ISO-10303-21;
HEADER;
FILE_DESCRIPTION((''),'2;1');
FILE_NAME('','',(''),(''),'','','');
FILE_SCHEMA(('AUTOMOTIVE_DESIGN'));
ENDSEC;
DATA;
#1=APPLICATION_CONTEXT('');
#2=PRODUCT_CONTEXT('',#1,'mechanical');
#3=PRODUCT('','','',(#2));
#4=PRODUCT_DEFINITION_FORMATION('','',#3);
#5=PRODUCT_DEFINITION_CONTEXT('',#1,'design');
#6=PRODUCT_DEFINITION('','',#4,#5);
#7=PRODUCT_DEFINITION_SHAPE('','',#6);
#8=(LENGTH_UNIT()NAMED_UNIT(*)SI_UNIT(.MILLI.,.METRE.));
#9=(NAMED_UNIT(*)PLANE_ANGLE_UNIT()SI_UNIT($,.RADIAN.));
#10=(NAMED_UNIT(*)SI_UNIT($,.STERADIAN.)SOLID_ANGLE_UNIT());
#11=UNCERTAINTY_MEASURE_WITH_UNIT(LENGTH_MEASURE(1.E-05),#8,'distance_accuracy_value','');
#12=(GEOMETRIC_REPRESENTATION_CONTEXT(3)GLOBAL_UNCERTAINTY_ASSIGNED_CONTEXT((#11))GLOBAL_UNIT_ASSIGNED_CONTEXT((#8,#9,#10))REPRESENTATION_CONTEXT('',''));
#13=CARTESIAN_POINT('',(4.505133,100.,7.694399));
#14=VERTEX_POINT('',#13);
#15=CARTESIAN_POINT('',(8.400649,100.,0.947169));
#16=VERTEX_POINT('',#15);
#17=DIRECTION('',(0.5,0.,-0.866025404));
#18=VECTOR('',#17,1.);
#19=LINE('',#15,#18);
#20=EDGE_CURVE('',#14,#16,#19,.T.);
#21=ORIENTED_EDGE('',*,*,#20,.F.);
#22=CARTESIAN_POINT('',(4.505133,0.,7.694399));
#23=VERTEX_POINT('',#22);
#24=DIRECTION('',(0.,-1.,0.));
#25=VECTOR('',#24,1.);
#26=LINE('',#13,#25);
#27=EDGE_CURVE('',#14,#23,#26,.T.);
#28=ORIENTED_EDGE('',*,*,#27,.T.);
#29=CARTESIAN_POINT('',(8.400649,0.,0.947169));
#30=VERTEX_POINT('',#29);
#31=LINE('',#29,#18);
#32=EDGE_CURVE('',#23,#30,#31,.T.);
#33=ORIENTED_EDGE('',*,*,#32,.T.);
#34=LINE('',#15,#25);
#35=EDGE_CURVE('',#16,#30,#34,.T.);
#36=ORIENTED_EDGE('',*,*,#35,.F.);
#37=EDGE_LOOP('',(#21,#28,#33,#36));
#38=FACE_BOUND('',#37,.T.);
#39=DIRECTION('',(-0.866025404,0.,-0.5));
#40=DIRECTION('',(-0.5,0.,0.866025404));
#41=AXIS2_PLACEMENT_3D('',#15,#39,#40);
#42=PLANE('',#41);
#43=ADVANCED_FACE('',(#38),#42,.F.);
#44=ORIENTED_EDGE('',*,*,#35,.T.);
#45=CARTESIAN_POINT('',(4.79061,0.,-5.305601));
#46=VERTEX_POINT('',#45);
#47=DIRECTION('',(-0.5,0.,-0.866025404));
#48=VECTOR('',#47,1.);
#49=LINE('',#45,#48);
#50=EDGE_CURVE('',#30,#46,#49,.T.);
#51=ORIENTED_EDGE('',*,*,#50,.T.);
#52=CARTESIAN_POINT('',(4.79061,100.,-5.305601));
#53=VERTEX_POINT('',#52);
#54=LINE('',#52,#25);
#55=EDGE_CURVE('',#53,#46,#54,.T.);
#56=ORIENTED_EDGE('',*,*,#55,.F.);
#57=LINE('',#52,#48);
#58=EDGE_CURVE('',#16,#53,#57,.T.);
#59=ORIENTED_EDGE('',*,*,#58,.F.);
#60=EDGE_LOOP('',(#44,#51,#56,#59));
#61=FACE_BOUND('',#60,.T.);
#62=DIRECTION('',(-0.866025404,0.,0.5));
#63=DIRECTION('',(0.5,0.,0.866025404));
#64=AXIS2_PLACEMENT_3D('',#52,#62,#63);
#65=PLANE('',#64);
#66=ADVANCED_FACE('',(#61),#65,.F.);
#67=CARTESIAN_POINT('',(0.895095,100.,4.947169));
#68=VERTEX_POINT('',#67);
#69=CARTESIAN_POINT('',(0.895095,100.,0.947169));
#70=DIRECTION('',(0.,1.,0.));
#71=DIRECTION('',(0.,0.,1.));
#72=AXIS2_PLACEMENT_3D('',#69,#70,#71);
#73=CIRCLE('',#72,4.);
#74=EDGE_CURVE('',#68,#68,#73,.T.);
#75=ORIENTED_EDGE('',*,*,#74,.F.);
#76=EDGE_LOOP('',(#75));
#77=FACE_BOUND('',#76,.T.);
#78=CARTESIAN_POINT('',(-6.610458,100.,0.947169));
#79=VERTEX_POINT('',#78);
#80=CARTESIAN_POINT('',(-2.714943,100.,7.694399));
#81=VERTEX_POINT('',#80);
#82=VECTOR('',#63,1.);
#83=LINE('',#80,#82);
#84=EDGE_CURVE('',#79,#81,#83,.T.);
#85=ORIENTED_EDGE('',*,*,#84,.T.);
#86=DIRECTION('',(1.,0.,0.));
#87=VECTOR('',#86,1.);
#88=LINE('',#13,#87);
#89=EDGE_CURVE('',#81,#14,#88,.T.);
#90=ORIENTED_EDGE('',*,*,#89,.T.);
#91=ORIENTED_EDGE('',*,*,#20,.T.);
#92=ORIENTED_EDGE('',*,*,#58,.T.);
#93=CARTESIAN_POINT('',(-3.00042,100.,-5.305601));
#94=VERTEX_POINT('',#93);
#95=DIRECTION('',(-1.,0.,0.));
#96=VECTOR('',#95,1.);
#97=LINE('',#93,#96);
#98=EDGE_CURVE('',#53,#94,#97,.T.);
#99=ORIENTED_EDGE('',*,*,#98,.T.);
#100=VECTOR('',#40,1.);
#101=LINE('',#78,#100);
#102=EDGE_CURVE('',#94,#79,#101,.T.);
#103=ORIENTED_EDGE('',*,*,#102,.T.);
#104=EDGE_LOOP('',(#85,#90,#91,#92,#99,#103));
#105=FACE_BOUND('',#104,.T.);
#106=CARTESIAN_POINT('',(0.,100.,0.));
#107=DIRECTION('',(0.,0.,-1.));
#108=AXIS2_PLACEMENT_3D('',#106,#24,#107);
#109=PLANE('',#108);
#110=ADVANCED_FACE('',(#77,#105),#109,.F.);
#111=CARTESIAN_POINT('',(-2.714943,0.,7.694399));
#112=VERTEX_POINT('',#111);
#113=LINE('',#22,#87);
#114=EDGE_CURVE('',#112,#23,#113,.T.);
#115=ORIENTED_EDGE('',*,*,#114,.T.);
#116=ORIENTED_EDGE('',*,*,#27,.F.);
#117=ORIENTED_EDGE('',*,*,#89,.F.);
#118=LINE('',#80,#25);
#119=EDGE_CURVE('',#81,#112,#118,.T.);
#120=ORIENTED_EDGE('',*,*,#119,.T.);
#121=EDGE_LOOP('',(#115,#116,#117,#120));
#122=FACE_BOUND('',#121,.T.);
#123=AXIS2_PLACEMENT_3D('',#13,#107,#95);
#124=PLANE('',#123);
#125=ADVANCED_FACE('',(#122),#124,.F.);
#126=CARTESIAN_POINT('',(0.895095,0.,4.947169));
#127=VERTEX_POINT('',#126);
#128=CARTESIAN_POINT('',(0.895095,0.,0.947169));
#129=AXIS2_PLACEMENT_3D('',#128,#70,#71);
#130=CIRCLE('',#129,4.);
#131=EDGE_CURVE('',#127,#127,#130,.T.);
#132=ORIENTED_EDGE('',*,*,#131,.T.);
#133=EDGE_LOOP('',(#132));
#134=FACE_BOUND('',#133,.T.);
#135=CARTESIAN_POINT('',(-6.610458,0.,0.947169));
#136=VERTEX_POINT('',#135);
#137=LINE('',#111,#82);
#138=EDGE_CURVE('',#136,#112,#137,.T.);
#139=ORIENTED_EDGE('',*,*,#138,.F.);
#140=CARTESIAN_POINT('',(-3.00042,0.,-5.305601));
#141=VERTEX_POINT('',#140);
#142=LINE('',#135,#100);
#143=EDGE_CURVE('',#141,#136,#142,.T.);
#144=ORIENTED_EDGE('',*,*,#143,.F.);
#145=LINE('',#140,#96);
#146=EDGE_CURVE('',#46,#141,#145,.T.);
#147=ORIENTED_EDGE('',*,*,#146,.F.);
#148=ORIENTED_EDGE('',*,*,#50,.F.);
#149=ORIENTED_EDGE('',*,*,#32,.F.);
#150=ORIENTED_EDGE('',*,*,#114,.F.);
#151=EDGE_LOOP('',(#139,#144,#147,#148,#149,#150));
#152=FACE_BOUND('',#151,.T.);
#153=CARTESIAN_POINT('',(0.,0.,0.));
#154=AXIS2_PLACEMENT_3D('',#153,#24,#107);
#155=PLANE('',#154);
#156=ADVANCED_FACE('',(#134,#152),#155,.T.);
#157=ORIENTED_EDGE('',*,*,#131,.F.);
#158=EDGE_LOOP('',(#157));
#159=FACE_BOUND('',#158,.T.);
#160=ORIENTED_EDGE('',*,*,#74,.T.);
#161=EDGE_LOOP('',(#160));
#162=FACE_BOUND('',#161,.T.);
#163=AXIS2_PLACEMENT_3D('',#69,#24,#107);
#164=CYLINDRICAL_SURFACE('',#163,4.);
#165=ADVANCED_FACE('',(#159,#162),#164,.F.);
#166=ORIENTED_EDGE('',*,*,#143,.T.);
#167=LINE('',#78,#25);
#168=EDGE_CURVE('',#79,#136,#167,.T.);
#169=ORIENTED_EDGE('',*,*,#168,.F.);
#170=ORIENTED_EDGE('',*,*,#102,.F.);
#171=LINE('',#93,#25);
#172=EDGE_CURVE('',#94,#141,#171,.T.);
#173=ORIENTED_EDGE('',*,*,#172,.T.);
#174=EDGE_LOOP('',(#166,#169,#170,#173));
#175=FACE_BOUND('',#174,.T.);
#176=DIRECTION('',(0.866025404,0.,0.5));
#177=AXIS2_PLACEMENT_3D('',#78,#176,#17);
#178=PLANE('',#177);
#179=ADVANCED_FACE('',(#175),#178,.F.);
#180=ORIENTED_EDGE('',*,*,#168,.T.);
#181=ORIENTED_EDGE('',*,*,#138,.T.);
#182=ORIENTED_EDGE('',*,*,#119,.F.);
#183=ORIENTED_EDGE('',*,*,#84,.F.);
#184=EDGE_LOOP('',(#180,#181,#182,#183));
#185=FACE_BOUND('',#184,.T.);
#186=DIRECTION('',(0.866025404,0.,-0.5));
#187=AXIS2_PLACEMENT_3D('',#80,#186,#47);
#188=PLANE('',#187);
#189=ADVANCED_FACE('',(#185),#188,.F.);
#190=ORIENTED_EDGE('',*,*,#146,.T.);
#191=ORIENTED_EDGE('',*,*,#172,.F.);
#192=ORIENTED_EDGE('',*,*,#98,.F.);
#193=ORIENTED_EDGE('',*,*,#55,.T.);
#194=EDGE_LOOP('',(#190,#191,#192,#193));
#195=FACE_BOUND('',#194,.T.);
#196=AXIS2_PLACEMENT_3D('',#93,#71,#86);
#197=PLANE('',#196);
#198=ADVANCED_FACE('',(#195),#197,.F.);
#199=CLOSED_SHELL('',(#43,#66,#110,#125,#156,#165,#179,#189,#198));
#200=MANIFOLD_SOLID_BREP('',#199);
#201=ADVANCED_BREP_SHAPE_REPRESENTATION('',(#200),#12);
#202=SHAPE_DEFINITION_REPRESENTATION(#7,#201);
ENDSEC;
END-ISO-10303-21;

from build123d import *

# Parameters (mm, degrees)
SKETCH_1_R      = 4
EXTRUDE_1_DEPTH = 100


with BuildPart() as part:
    # 草图1 → 凸台-拉伸1 (new body)
    with BuildSketch(Plane(origin=(0, 0, 0), x_dir=(1, 0, 0), z_dir=(0, 1, 0))):
        Polygon((-3.00042007, 5.305600804), (4.790610147, 5.305600804), (8.400648538, -0.947169106), (4.50513343, -7.694399196), (-2.714943352, -7.694399196), (-6.610458461, -0.947169106), align=None)
        with Locations((0.895095039, -0.947169106)):
            Circle(SKETCH_1_R, mode=Mode.SUBTRACT)
    extrude(amount=EXTRUDE_1_DEPTH)


solid = part.part
